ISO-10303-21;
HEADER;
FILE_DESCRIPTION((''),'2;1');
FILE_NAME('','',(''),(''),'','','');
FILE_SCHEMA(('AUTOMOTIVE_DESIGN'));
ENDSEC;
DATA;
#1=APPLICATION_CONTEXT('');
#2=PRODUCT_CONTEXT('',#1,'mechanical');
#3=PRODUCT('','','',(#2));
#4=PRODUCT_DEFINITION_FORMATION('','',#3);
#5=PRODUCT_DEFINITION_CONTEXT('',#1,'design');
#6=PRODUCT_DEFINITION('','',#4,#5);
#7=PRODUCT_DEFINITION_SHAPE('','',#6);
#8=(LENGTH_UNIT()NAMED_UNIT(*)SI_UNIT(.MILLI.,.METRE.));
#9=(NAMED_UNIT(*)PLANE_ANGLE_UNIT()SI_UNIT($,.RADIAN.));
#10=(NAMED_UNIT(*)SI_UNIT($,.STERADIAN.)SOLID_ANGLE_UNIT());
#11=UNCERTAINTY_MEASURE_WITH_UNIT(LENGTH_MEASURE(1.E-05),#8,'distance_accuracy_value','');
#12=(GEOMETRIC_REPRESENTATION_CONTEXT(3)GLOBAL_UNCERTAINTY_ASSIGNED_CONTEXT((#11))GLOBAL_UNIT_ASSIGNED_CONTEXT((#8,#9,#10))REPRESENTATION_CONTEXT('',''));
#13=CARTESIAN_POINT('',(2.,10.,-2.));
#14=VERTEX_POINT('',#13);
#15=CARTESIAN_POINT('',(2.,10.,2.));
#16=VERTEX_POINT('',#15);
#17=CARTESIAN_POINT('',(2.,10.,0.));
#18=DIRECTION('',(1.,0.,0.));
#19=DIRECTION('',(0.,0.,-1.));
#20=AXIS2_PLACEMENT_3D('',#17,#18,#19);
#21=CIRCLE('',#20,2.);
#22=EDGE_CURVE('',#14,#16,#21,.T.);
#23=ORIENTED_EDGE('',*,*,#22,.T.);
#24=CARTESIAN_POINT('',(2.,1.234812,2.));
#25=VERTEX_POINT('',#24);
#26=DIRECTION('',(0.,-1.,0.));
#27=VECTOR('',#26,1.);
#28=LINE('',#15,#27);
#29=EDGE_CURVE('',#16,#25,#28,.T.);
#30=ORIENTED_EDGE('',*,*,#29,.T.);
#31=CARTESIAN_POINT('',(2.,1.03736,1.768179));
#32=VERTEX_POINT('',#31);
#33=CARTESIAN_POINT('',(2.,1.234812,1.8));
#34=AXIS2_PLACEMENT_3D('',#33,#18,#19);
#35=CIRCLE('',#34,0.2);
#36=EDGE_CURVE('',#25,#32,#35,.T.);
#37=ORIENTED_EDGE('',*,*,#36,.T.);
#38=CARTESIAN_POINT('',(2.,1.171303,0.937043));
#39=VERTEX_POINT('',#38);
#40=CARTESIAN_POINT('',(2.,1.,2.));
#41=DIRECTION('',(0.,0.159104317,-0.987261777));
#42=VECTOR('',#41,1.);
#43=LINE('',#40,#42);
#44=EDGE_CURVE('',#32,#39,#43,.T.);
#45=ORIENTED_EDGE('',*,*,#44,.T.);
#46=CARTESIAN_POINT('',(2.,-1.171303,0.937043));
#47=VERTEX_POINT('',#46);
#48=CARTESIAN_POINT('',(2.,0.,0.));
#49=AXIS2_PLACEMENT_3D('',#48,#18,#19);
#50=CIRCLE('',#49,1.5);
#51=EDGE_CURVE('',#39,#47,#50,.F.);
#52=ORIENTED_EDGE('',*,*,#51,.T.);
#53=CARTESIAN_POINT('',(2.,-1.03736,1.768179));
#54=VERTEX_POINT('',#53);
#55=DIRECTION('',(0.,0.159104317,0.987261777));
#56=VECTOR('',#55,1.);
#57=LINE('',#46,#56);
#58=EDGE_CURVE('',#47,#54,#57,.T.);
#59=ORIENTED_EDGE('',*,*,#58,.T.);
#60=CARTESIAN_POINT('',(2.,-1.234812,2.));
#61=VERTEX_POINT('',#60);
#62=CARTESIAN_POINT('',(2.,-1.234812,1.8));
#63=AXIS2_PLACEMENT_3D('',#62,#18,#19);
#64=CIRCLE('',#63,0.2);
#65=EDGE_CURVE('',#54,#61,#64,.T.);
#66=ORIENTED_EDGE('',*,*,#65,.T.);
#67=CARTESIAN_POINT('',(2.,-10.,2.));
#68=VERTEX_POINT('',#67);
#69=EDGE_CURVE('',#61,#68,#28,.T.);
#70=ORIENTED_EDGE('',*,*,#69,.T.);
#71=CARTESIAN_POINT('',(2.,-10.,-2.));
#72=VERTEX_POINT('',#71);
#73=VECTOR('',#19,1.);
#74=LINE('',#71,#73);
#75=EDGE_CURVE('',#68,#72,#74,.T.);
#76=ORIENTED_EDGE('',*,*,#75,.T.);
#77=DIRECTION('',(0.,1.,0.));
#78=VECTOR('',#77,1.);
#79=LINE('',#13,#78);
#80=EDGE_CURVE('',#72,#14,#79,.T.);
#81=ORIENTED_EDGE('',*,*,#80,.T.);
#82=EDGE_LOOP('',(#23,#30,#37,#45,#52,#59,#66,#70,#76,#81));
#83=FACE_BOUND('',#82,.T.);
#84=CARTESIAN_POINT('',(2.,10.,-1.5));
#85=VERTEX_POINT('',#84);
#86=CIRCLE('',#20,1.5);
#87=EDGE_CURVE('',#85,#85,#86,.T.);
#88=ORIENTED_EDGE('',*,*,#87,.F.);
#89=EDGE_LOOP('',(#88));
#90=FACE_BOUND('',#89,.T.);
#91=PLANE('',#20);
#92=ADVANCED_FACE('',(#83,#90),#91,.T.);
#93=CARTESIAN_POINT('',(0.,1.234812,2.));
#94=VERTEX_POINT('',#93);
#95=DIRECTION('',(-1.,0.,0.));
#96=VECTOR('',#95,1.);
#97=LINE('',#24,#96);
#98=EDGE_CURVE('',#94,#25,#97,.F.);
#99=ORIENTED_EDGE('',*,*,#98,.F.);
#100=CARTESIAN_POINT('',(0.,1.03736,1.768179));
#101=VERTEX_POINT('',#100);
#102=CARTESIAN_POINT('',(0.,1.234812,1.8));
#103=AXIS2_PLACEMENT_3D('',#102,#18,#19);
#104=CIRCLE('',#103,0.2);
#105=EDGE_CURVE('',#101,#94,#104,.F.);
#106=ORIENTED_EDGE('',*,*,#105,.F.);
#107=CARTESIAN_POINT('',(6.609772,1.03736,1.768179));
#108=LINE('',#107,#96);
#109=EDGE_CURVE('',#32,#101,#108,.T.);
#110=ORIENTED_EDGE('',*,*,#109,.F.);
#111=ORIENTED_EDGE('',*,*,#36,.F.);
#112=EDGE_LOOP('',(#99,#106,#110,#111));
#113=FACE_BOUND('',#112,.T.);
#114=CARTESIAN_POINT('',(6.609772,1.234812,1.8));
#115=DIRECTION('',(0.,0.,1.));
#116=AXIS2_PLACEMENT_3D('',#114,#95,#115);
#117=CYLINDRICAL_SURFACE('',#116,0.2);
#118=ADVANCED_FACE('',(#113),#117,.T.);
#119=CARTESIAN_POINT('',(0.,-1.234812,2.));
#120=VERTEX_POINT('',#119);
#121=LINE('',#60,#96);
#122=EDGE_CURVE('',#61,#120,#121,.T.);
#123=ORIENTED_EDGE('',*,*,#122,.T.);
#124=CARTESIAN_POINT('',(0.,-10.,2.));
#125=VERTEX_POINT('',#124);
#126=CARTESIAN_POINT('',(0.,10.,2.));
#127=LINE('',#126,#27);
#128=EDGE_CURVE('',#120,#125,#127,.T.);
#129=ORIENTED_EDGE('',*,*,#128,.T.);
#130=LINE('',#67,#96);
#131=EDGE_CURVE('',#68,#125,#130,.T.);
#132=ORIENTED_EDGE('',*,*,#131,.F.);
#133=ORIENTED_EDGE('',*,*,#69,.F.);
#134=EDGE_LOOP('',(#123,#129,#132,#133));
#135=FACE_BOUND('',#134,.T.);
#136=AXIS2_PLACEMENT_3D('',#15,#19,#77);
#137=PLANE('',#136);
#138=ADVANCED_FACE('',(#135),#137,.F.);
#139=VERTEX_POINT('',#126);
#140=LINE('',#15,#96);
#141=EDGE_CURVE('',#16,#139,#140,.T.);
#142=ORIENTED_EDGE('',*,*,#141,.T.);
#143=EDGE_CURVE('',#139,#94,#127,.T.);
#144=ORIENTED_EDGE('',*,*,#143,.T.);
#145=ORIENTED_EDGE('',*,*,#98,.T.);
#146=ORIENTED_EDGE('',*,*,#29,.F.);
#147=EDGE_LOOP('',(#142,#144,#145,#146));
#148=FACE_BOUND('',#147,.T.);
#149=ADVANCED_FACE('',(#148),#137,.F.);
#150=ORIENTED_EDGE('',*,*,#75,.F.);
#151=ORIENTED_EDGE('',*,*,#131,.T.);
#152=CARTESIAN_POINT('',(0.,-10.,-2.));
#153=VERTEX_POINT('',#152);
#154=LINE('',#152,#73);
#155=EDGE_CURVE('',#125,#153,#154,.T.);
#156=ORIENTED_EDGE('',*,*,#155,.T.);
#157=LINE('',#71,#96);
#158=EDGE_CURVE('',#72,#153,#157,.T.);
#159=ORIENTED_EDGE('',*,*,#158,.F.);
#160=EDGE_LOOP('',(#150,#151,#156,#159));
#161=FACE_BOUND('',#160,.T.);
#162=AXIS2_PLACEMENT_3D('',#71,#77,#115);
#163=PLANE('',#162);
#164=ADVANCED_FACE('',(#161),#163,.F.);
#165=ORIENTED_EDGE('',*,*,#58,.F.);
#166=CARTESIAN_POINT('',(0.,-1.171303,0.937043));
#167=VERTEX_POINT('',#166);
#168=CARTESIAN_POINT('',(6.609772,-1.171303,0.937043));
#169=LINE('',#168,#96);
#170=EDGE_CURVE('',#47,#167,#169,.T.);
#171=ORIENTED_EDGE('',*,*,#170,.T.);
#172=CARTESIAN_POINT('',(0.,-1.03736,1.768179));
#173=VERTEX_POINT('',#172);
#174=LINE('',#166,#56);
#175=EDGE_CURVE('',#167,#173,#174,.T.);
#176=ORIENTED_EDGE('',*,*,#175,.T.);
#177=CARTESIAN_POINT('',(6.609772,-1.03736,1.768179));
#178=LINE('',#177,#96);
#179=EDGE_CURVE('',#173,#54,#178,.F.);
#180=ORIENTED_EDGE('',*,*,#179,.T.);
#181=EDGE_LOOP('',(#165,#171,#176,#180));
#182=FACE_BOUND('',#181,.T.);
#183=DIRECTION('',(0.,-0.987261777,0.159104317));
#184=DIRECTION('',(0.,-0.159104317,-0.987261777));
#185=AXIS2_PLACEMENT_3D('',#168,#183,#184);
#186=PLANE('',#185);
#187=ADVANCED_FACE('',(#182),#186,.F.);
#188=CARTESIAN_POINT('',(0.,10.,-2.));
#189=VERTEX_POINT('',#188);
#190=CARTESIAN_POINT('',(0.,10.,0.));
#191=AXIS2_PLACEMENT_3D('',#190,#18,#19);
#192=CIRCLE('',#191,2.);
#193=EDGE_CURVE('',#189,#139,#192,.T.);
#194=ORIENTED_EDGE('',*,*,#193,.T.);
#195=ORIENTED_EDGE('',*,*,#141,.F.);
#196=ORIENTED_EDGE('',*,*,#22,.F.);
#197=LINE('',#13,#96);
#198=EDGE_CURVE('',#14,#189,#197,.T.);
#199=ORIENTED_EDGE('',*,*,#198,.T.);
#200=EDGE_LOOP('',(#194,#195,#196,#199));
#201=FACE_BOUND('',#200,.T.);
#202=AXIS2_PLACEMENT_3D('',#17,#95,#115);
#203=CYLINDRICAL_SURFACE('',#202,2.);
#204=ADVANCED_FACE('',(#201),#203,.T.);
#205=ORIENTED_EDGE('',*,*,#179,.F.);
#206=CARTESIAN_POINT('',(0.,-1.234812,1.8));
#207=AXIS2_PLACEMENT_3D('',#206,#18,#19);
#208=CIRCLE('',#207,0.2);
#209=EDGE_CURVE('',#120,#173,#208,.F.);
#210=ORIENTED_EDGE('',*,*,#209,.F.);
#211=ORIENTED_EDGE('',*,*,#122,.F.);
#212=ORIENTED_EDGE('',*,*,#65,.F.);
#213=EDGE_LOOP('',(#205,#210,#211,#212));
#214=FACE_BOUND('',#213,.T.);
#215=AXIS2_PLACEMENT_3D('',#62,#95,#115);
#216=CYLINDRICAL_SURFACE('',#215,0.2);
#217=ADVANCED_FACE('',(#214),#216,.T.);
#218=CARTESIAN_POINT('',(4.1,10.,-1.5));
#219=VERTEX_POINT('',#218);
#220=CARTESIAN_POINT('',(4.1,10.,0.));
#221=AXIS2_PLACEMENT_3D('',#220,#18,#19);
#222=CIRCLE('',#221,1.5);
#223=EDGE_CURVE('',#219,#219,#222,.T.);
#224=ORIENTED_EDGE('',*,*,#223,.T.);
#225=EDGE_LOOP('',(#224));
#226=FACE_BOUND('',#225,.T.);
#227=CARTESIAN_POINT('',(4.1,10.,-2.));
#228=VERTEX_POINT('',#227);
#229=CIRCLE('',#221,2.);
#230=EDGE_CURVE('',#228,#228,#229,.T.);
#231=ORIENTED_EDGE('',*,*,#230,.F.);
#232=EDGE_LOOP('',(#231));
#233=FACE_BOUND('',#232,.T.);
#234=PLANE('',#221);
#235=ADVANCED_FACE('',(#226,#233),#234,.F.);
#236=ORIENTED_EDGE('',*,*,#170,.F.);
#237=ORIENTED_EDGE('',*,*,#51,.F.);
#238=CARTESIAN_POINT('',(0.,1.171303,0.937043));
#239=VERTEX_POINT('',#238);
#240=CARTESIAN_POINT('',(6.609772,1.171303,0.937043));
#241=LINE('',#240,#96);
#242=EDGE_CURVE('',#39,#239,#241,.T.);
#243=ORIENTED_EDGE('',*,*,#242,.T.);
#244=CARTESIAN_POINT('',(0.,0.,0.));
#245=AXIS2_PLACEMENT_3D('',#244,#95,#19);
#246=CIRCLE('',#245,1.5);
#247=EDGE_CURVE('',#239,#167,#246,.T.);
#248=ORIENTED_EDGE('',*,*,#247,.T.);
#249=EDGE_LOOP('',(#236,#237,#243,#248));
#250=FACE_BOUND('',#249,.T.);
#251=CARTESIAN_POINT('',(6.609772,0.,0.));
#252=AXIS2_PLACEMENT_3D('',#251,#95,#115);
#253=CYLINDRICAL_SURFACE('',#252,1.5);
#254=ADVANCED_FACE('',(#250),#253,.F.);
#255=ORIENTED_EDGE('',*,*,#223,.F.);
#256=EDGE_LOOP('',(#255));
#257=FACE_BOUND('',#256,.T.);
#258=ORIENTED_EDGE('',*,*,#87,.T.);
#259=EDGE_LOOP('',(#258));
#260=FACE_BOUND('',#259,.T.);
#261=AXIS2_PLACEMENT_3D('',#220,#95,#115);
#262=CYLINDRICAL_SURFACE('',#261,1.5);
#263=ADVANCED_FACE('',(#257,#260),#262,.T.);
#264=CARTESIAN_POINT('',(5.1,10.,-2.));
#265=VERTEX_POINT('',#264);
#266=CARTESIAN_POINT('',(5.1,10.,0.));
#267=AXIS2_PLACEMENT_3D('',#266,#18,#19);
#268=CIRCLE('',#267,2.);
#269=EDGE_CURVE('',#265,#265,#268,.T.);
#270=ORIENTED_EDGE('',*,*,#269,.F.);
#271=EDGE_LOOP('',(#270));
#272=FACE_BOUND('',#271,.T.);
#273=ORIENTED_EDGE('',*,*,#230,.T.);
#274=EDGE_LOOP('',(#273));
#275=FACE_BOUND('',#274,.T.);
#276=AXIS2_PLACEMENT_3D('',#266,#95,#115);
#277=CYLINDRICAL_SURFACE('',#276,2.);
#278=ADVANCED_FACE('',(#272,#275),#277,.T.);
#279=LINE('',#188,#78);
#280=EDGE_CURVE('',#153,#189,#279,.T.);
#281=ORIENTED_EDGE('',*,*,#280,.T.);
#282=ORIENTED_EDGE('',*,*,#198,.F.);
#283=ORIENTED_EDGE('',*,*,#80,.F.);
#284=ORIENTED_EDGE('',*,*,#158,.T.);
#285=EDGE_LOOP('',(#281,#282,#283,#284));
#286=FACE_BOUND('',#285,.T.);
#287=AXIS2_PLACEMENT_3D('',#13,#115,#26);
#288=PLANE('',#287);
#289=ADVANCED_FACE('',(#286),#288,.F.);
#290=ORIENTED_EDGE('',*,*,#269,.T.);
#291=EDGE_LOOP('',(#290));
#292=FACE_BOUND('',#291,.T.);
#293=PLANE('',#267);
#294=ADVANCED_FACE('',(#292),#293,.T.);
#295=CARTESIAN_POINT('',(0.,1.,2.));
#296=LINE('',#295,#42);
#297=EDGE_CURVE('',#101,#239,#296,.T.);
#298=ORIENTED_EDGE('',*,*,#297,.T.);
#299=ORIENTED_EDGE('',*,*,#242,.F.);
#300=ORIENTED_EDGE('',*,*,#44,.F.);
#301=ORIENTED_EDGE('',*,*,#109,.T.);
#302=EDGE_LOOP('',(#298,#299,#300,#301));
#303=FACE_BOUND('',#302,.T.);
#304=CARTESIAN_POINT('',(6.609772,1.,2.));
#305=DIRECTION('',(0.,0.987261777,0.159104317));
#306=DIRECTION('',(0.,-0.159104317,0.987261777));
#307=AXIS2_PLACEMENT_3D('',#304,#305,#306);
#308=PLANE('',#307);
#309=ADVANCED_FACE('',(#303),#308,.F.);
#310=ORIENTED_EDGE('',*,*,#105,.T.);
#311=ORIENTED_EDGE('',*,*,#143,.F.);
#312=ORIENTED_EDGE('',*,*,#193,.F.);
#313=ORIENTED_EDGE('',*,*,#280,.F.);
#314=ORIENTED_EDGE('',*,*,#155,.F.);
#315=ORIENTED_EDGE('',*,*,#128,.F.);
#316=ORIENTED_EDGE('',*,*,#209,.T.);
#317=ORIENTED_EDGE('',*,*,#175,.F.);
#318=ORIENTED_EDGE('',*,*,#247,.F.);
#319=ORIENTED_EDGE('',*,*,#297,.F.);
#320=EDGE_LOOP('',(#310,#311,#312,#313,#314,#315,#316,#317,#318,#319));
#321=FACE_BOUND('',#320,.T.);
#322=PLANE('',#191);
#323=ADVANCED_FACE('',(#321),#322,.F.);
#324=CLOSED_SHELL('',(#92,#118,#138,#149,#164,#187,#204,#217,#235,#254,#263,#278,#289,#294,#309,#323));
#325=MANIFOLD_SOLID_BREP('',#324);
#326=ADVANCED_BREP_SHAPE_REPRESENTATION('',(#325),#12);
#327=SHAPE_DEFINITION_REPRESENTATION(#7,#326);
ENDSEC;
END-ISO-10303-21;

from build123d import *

# Parameters (mm, degrees)
BASE_DEPTH         = 2
ESQUISSE2_R        = 1.5
BOSS_FIX_DEPTH     = 2.1
ESQUISSE3_R        = 2
BOSS_BLOCAGE_DEPTH = 1
VIDE_TIGE_DEPTH    = 2
CONGE_TIGE_R       = 0.2


with BuildPart() as part:
    # Esquisse1 → BASE (new body)
    with BuildSketch(Plane(origin=(0, 0, 0), x_dir=(0, 0, -1), z_dir=(1, 0, 0))):
        with BuildLine():
            Line((2, 10), (2, -10))
            Line((2, -10), (-2, -10))
            Line((-2, -10), (-2, 10))
            ThreePointArc((-2, 10), (0, 12), (2, 10))
        make_face()
    extrude(amount=BASE_DEPTH)

    # Esquisse2 → BOSS FIX (add)
    with BuildSketch(Plane(origin=(2, 0, 0), x_dir=(0, 0, -1), z_dir=(1, 0, 0))):
        with Locations((0, 10)):
            Circle(ESQUISSE2_R)
    extrude(amount=BOSS_FIX_DEPTH)

    # Esquisse3 → BOSS BLOCAGE (add)
    with BuildSketch(Plane(origin=(4.1, 0, 0), x_dir=(0, 0, -1), z_dir=(1, 0, 0))):
        with Locations((0, 10)):
            Circle(ESQUISSE3_R)
    extrude(amount=BOSS_BLOCAGE_DEPTH)

    # Esquisse4 → VIDE TIGE (cut)
    with BuildSketch(Plane.ZY):
        with BuildLine():
            Line((2, 1), (0.937042571, 1.171303214))
            ThreePointArc((0.937042571, 1.171303214), (-1.5, 0), (0.937042571, -1.171303214))
            Line((0.937042571, -1.171303214), (2, -1))
            Line((2, -1), (2, 1))
        make_face()
    extrude(amount=-VIDE_TIGE_DEPTH, mode=Mode.SUBTRACT)

    # CONGE TIGE
    conge_tige_edges = [part.edges().sort_by_distance(p)[0] for p in [
        (1, -1, 2),
        (1, 1, 2),
    ]]
    fillet(conge_tige_edges, radius=CONGE_TIGE_R)


solid = part.part
